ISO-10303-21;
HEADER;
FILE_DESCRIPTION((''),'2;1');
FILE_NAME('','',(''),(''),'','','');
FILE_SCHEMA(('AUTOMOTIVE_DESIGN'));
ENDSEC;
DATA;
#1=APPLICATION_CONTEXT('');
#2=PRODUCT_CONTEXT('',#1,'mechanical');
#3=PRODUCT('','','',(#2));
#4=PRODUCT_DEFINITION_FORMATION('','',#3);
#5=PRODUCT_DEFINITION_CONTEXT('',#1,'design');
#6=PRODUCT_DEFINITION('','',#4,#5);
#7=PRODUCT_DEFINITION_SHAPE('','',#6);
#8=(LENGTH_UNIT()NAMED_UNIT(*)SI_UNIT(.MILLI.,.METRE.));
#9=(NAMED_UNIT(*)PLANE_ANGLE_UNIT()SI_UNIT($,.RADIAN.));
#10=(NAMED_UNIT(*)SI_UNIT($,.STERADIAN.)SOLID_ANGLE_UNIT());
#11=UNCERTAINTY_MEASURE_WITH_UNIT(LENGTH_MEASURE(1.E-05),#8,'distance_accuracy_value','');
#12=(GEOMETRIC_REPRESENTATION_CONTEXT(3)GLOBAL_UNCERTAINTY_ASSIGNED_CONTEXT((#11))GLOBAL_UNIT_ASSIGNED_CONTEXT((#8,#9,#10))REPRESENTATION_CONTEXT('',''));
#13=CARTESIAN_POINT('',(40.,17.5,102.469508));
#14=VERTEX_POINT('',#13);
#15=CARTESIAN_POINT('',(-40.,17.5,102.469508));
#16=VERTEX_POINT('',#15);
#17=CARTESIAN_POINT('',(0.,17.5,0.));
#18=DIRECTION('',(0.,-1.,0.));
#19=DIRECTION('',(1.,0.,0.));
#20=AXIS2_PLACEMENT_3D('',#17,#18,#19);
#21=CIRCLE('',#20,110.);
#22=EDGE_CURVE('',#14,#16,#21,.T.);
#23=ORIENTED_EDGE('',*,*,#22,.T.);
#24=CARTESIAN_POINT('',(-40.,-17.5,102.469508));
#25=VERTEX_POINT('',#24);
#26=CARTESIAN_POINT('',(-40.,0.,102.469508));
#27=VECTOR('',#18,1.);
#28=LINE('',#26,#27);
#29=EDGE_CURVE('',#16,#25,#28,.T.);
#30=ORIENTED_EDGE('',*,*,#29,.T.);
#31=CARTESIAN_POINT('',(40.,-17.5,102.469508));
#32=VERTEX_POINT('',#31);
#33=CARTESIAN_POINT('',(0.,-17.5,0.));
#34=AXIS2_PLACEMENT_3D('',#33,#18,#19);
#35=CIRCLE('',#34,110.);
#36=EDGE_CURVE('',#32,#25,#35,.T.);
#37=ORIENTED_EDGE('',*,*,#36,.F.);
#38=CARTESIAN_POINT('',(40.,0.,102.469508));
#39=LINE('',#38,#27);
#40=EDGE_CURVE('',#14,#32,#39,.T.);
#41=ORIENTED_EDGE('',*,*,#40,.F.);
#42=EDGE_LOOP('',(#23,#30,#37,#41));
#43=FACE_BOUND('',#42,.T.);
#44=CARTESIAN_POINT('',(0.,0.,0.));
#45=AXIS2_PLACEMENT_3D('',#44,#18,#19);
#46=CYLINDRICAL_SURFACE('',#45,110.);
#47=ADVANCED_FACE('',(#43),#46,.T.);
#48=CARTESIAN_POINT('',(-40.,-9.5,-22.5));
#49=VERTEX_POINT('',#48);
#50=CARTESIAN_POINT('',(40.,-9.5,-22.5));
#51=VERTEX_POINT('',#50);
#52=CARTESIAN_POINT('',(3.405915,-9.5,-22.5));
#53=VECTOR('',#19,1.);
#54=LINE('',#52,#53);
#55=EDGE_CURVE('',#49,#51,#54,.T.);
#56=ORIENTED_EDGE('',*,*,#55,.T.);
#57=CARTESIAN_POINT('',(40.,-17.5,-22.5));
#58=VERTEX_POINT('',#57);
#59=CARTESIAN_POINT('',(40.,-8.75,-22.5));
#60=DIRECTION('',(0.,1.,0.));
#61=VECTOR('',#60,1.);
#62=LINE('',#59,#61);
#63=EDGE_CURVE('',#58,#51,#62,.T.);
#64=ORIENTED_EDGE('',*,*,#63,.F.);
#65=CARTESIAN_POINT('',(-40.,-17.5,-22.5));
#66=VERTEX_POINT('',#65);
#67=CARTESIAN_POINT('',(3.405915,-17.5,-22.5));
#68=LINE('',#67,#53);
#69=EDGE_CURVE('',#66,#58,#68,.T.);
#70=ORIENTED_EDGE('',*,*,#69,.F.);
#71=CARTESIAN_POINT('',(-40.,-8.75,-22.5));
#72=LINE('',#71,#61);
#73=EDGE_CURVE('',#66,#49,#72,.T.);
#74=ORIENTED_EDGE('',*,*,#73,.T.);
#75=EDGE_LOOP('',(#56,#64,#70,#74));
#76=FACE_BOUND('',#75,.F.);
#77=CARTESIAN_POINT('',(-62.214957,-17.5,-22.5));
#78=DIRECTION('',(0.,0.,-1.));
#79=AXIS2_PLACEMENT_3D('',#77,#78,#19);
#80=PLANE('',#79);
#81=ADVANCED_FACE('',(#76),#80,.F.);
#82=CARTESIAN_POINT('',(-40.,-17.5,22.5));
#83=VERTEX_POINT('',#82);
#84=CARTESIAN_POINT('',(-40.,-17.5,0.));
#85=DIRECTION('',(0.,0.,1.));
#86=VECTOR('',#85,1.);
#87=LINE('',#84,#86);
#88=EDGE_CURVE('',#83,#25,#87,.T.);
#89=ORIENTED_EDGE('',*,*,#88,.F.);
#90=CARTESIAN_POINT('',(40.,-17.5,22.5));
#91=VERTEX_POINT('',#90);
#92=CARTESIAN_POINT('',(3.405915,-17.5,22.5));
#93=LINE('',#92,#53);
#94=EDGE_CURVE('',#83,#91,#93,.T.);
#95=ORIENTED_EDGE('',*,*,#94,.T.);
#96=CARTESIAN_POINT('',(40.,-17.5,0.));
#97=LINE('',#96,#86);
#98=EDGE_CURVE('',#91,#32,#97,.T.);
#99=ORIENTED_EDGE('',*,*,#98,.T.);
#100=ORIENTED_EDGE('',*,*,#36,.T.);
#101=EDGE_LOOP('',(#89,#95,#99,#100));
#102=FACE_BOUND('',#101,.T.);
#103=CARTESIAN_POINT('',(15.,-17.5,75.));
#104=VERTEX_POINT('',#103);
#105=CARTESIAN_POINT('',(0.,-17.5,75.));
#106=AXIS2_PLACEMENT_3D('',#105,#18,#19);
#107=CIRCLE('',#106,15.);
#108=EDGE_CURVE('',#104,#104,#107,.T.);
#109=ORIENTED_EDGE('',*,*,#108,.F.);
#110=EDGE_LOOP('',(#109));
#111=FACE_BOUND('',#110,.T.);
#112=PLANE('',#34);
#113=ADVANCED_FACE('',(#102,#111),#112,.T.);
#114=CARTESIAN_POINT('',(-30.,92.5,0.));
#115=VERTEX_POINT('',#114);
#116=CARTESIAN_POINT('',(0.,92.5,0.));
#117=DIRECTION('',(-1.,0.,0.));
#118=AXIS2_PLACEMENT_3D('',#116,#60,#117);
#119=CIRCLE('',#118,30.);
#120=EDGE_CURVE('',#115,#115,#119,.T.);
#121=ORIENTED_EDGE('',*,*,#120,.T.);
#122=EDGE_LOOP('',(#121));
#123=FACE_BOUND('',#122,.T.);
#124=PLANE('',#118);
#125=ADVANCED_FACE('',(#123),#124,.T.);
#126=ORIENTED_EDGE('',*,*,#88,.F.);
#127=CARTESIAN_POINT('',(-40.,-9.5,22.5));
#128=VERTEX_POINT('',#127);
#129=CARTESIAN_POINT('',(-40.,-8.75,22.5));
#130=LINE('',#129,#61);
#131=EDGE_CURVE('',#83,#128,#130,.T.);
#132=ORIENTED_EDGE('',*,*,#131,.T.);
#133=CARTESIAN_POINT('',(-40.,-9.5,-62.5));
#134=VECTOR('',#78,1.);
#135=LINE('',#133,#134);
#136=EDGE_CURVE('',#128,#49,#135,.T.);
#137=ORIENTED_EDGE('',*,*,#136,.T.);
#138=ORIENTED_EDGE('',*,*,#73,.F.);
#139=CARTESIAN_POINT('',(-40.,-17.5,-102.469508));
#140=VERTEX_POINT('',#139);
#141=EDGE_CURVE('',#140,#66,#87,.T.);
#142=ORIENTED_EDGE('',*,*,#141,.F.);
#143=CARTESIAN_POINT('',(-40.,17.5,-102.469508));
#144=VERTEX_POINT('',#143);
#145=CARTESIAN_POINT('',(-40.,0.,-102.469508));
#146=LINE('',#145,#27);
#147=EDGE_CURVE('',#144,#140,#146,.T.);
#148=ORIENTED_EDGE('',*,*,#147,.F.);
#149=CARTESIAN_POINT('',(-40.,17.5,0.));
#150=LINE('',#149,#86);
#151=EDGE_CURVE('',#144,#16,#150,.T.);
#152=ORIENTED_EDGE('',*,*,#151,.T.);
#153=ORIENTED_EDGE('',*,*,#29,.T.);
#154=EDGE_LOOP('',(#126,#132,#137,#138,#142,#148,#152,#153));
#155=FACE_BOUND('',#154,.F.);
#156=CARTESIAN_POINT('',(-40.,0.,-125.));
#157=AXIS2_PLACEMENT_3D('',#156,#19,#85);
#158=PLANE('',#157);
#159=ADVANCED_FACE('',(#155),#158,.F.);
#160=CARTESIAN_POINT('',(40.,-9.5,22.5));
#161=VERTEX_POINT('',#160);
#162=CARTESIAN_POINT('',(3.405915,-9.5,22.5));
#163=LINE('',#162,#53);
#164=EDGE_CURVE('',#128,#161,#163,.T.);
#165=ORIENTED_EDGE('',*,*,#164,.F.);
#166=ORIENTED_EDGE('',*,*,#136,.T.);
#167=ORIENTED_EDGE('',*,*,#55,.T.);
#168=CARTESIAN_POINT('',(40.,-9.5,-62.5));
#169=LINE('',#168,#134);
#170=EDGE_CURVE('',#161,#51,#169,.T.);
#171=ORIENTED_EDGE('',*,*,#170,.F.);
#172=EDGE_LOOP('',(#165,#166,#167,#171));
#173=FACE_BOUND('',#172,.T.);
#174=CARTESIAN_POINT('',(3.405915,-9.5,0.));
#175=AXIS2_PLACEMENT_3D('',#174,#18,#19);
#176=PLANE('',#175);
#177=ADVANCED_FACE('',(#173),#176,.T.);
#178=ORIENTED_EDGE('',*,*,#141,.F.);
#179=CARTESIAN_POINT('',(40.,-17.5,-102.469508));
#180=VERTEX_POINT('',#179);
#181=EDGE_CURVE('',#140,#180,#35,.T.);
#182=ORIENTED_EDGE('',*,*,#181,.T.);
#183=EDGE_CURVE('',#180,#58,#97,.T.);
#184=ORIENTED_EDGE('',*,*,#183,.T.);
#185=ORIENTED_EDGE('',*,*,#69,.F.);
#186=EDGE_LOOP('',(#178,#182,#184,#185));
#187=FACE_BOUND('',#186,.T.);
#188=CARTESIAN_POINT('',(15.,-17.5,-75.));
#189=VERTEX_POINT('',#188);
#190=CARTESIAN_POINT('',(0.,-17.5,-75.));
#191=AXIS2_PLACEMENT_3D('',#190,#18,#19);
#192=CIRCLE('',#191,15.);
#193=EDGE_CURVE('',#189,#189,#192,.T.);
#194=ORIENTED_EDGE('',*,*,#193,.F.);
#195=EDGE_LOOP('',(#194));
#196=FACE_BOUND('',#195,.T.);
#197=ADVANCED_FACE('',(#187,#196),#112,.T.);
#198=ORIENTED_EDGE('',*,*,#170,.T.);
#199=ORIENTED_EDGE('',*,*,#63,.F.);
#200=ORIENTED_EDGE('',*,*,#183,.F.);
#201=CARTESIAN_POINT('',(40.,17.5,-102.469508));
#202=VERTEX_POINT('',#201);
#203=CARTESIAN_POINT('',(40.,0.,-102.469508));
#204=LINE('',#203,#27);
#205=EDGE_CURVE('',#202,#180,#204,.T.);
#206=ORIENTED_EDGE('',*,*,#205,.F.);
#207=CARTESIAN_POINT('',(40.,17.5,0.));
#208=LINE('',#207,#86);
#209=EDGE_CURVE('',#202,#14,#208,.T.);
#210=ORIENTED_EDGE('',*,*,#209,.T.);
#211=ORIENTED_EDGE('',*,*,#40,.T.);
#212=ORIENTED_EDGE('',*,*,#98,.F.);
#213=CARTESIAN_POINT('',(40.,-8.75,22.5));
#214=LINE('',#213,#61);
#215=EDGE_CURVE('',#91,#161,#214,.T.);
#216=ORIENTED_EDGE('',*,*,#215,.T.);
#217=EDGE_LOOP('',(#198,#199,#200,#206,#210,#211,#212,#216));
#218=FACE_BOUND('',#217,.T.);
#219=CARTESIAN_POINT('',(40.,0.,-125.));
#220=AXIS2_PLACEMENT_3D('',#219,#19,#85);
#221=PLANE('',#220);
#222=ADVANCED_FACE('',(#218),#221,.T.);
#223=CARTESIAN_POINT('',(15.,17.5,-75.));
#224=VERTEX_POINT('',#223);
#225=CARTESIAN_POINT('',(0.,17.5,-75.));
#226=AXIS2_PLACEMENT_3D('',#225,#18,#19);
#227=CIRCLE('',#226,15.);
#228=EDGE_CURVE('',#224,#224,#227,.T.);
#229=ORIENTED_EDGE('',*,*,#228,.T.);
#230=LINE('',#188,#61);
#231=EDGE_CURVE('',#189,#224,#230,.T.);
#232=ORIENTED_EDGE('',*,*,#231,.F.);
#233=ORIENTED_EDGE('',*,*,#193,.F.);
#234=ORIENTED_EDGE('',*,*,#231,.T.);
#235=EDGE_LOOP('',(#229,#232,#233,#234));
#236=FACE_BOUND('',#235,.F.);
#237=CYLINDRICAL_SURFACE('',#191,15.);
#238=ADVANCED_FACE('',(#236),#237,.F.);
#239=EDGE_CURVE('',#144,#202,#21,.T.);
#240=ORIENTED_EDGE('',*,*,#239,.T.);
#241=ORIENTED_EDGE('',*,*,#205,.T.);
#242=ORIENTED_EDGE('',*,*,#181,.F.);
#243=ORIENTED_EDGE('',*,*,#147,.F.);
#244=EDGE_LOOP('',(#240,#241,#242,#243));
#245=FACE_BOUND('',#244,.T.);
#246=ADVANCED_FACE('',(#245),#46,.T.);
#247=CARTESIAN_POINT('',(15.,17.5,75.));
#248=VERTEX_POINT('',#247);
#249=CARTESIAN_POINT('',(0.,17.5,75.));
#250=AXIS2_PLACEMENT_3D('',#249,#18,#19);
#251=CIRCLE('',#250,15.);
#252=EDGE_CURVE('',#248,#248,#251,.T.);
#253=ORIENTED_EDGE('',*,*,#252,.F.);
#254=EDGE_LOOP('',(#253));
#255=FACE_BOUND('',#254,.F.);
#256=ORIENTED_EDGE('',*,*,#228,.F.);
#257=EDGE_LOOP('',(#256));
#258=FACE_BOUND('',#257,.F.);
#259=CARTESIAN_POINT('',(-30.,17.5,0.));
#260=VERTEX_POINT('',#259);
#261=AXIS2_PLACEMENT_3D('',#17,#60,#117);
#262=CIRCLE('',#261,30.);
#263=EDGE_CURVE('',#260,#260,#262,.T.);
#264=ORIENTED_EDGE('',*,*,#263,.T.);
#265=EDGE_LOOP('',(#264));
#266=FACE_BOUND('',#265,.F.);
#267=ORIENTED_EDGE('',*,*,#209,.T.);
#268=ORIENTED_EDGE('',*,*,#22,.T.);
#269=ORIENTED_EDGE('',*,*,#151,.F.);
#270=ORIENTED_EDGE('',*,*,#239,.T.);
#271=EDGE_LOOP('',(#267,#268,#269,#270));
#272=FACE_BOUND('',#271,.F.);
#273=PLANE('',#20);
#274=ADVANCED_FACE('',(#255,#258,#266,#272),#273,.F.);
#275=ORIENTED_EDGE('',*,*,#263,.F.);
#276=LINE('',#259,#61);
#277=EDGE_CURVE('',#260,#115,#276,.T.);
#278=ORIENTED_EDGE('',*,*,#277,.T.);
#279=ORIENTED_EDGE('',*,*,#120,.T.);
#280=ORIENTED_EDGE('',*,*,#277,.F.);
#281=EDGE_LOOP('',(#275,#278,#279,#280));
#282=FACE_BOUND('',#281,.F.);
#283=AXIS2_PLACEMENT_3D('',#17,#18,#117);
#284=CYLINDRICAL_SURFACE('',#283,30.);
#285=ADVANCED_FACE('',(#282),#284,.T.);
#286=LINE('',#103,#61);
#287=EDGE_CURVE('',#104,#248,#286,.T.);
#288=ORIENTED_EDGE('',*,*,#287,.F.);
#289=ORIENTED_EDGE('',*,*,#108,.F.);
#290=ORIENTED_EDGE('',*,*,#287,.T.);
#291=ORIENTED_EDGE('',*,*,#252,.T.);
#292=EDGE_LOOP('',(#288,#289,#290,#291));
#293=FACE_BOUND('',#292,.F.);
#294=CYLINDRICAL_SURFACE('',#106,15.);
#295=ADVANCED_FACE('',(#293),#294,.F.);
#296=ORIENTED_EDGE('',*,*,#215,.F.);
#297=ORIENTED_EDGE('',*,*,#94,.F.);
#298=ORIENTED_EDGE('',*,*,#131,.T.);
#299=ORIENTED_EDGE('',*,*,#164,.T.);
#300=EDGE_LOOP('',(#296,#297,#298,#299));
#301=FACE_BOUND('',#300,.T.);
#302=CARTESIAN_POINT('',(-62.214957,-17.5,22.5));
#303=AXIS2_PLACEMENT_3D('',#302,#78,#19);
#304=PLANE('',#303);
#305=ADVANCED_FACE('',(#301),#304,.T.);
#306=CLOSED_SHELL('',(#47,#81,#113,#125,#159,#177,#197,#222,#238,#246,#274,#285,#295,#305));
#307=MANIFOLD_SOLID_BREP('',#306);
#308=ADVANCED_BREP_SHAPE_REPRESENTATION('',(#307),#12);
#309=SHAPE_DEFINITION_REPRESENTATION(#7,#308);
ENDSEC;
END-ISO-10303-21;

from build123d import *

# Parameters (mm, degrees)
SKETCH001_R     = 110
PAD001_DEPTH    = 20
SKETCH_W        = 80
SKETCH_H        = 250
PAD_DEPTH       = 17.5
SKETCH002_R     = 15
POCKET_DEPTH    = 35.001
SKETCH003_W     = 131.241745
SKETCH003_H     = 45
POCKET001_DEPTH = 8
SKETCH004_R     = 30
PAD002_DEPTH    = 75


with BuildPart() as pad001:
    # Sketch001 → Pad001 (new body, symmetric)
    with BuildSketch(Plane.XZ):
        Circle(SKETCH001_R)
    extrude(amount=PAD001_DEPTH, both=True)


with BuildPart() as pad002:
    # Sketch → Pad (new body, symmetric)
    with BuildSketch(Plane.XZ):
        Rectangle(SKETCH_W, SKETCH_H)
    extrude(amount=PAD_DEPTH, both=True)

    # Common: intersect Pad001
    add(pad001.part, mode=Mode.INTERSECT)

    # Sketch002 → Pocket (cut, through all)
    with BuildSketch(Plane.XZ.offset(17.5)):
        with Locations((0, 75)):
            Circle(SKETCH002_R)
        with Locations((0, -75)):
            Circle(SKETCH002_R)
    extrude(amount=-POCKET_DEPTH, mode=Mode.SUBTRACT)

    # Sketch003 → Pocket001 (cut)
    with BuildSketch(Plane.XZ.offset(17.5)):
        with Locations((3.405915, 0)):
            Rectangle(SKETCH003_W, SKETCH003_H)
    extrude(amount=-POCKET001_DEPTH, mode=Mode.SUBTRACT)

    # Sketch004 → Pad002 (new body)
    with BuildSketch(Plane(origin=(0, 17.5, 0), x_dir=(-1, 0, 0), z_dir=(0, 1, 0))):
        Circle(SKETCH004_R)
    extrude(amount=PAD002_DEPTH)


solid = pad002.part
